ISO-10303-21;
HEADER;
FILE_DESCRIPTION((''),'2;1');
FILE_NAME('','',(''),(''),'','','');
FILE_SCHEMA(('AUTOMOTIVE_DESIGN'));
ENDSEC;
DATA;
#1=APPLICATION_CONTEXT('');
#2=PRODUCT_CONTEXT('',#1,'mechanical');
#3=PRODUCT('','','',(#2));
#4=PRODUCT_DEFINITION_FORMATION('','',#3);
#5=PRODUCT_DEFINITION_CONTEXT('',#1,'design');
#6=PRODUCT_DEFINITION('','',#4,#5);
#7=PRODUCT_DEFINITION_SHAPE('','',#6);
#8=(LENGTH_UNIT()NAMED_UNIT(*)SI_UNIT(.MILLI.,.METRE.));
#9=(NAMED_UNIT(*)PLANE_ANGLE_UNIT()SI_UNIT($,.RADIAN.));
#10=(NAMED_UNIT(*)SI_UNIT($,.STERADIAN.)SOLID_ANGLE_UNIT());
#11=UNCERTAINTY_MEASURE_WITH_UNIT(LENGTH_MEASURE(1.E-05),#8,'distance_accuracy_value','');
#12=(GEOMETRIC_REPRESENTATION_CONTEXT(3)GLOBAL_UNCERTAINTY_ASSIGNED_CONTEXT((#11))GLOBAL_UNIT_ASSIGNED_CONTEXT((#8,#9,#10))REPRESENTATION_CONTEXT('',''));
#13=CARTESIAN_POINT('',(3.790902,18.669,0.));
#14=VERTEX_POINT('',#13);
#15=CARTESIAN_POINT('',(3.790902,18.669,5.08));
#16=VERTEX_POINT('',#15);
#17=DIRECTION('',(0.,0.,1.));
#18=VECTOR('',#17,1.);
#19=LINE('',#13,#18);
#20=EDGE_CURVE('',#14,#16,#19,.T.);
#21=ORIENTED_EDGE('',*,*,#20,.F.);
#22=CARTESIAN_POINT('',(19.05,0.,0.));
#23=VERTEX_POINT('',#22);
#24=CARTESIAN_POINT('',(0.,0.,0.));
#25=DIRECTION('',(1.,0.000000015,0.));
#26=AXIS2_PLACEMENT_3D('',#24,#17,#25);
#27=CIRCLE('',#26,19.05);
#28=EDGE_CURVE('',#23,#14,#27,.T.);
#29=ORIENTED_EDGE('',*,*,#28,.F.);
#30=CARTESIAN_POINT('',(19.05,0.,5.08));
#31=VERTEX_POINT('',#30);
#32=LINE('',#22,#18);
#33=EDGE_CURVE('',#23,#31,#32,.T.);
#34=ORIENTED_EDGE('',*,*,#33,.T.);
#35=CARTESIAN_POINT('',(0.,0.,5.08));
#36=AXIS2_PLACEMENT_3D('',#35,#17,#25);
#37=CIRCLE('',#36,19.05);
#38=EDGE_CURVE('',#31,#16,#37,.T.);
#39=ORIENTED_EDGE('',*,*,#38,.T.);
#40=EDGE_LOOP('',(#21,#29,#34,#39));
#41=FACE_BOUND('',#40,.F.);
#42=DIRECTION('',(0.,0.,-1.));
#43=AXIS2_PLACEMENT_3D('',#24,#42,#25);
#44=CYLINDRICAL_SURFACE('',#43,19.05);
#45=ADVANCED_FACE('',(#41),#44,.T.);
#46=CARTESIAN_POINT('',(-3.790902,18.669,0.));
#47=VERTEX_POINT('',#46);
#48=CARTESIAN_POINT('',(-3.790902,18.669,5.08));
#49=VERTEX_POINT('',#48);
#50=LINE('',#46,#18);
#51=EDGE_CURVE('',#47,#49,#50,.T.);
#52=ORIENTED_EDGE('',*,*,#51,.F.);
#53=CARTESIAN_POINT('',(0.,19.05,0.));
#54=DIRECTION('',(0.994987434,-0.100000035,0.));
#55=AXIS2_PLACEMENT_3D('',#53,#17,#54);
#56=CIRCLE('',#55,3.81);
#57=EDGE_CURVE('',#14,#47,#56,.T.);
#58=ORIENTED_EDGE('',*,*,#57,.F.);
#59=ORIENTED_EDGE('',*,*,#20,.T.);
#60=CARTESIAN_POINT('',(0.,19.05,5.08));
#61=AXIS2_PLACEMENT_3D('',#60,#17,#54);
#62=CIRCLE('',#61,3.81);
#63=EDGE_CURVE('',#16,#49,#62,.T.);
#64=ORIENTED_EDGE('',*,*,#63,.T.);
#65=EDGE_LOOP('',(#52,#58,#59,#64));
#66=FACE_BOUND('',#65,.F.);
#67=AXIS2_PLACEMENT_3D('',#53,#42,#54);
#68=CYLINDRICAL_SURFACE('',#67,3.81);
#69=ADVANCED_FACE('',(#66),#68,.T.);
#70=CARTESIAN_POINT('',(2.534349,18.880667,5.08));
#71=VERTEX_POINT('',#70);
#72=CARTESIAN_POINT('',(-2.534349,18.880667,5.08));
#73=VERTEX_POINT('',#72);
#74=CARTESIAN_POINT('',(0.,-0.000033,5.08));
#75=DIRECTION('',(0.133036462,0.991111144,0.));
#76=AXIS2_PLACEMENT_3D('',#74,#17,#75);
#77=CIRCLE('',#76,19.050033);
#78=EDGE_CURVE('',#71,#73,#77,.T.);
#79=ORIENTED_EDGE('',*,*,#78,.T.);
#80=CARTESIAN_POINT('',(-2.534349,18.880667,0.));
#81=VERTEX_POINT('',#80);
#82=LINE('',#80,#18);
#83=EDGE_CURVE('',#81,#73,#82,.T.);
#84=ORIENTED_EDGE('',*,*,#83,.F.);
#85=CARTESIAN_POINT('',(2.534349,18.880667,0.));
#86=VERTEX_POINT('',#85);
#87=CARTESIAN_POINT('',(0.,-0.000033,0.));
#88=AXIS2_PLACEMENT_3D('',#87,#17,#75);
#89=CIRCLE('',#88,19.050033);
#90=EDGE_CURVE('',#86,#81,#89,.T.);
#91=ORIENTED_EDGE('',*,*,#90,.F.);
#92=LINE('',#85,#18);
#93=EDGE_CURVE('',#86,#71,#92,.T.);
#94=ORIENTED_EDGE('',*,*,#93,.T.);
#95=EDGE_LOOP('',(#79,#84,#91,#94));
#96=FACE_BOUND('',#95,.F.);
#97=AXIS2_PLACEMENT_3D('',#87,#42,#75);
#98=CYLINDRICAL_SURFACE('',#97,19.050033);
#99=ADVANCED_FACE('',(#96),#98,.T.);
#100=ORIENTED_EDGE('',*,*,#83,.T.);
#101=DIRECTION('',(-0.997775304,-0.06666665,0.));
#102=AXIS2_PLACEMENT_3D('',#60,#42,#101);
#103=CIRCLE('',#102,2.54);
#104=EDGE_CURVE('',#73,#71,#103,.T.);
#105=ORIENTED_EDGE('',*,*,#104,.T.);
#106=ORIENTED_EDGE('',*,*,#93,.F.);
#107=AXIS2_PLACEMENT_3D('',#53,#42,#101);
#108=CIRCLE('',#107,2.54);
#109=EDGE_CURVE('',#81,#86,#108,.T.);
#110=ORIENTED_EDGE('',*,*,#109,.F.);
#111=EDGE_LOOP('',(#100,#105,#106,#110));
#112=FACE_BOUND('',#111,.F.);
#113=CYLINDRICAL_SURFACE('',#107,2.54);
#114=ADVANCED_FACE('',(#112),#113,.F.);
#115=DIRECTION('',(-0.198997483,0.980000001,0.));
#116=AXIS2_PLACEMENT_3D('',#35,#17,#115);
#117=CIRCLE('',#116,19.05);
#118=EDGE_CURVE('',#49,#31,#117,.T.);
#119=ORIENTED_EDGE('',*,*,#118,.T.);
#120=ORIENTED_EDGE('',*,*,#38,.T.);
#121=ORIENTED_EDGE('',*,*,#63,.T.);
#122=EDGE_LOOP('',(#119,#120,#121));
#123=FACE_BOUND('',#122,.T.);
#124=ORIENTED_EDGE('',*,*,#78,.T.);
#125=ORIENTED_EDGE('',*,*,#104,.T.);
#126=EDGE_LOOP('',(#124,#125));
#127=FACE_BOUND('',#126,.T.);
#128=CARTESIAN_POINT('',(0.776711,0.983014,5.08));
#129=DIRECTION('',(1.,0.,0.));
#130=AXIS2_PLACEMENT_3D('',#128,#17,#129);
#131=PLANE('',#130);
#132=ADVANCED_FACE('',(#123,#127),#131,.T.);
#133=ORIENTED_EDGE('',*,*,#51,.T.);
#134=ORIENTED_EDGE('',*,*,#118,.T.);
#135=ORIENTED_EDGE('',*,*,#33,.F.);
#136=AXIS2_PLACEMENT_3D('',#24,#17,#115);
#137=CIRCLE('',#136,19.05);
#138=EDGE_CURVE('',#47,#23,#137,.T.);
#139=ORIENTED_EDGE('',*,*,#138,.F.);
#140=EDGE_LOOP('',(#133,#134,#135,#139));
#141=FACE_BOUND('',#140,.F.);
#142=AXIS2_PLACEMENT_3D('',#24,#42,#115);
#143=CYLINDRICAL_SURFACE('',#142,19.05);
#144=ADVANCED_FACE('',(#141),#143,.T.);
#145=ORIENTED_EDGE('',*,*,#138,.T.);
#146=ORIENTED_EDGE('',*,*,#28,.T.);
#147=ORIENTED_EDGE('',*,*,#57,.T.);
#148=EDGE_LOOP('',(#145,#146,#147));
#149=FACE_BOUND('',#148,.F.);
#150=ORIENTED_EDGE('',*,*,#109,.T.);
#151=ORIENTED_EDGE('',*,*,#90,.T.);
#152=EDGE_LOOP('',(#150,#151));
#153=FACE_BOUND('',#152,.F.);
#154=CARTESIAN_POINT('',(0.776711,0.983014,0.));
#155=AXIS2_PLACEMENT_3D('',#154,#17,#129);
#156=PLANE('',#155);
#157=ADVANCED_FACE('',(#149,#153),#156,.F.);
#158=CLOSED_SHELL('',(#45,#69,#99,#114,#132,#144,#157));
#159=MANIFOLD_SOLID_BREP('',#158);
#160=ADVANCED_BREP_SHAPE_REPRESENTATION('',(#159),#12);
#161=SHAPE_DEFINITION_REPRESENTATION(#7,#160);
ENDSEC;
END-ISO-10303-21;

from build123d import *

# Parameters (mm, degrees)
F1_DEPTH = 5.08


with BuildPart() as f1:
    # F0 (on Top) → F1 (new body)
    with BuildSketch(Plane.XY):
        with BuildLine():
            ThreePointArc((-3.790902, 18.669), (-12.055825, -14.749901), (19.05, 0))
            ThreePointArc((19.05, 0), (14.749901, 12.055825), (3.790902, 18.669))
            ThreePointArc((3.790902, 18.669), (3.164396, 18.785343), (2.534349, 18.880667))
            ThreePointArc((2.534349, 18.880667), (0, 19.05), (-2.534349, 18.880667))
            ThreePointArc((-2.534349, 18.880667), (-3.164396, 18.785343), (-3.790902, 18.669))
        make_face()
        with BuildLine():
            ThreePointArc((2.534349, 18.880667), (3.164396, 18.785343), (3.790902, 18.669))
            ThreePointArc((3.790902, 18.669), (0, 22.86), (-3.790902, 18.669))
            ThreePointArc((-3.790902, 18.669), (-3.164396, 18.785343), (-2.534349, 18.880667))
            ThreePointArc((-2.534349, 18.880667), (0, 21.59), (2.534349, 18.880667))
        make_face()
    extrude(amount=F1_DEPTH)


solid = f1.part
